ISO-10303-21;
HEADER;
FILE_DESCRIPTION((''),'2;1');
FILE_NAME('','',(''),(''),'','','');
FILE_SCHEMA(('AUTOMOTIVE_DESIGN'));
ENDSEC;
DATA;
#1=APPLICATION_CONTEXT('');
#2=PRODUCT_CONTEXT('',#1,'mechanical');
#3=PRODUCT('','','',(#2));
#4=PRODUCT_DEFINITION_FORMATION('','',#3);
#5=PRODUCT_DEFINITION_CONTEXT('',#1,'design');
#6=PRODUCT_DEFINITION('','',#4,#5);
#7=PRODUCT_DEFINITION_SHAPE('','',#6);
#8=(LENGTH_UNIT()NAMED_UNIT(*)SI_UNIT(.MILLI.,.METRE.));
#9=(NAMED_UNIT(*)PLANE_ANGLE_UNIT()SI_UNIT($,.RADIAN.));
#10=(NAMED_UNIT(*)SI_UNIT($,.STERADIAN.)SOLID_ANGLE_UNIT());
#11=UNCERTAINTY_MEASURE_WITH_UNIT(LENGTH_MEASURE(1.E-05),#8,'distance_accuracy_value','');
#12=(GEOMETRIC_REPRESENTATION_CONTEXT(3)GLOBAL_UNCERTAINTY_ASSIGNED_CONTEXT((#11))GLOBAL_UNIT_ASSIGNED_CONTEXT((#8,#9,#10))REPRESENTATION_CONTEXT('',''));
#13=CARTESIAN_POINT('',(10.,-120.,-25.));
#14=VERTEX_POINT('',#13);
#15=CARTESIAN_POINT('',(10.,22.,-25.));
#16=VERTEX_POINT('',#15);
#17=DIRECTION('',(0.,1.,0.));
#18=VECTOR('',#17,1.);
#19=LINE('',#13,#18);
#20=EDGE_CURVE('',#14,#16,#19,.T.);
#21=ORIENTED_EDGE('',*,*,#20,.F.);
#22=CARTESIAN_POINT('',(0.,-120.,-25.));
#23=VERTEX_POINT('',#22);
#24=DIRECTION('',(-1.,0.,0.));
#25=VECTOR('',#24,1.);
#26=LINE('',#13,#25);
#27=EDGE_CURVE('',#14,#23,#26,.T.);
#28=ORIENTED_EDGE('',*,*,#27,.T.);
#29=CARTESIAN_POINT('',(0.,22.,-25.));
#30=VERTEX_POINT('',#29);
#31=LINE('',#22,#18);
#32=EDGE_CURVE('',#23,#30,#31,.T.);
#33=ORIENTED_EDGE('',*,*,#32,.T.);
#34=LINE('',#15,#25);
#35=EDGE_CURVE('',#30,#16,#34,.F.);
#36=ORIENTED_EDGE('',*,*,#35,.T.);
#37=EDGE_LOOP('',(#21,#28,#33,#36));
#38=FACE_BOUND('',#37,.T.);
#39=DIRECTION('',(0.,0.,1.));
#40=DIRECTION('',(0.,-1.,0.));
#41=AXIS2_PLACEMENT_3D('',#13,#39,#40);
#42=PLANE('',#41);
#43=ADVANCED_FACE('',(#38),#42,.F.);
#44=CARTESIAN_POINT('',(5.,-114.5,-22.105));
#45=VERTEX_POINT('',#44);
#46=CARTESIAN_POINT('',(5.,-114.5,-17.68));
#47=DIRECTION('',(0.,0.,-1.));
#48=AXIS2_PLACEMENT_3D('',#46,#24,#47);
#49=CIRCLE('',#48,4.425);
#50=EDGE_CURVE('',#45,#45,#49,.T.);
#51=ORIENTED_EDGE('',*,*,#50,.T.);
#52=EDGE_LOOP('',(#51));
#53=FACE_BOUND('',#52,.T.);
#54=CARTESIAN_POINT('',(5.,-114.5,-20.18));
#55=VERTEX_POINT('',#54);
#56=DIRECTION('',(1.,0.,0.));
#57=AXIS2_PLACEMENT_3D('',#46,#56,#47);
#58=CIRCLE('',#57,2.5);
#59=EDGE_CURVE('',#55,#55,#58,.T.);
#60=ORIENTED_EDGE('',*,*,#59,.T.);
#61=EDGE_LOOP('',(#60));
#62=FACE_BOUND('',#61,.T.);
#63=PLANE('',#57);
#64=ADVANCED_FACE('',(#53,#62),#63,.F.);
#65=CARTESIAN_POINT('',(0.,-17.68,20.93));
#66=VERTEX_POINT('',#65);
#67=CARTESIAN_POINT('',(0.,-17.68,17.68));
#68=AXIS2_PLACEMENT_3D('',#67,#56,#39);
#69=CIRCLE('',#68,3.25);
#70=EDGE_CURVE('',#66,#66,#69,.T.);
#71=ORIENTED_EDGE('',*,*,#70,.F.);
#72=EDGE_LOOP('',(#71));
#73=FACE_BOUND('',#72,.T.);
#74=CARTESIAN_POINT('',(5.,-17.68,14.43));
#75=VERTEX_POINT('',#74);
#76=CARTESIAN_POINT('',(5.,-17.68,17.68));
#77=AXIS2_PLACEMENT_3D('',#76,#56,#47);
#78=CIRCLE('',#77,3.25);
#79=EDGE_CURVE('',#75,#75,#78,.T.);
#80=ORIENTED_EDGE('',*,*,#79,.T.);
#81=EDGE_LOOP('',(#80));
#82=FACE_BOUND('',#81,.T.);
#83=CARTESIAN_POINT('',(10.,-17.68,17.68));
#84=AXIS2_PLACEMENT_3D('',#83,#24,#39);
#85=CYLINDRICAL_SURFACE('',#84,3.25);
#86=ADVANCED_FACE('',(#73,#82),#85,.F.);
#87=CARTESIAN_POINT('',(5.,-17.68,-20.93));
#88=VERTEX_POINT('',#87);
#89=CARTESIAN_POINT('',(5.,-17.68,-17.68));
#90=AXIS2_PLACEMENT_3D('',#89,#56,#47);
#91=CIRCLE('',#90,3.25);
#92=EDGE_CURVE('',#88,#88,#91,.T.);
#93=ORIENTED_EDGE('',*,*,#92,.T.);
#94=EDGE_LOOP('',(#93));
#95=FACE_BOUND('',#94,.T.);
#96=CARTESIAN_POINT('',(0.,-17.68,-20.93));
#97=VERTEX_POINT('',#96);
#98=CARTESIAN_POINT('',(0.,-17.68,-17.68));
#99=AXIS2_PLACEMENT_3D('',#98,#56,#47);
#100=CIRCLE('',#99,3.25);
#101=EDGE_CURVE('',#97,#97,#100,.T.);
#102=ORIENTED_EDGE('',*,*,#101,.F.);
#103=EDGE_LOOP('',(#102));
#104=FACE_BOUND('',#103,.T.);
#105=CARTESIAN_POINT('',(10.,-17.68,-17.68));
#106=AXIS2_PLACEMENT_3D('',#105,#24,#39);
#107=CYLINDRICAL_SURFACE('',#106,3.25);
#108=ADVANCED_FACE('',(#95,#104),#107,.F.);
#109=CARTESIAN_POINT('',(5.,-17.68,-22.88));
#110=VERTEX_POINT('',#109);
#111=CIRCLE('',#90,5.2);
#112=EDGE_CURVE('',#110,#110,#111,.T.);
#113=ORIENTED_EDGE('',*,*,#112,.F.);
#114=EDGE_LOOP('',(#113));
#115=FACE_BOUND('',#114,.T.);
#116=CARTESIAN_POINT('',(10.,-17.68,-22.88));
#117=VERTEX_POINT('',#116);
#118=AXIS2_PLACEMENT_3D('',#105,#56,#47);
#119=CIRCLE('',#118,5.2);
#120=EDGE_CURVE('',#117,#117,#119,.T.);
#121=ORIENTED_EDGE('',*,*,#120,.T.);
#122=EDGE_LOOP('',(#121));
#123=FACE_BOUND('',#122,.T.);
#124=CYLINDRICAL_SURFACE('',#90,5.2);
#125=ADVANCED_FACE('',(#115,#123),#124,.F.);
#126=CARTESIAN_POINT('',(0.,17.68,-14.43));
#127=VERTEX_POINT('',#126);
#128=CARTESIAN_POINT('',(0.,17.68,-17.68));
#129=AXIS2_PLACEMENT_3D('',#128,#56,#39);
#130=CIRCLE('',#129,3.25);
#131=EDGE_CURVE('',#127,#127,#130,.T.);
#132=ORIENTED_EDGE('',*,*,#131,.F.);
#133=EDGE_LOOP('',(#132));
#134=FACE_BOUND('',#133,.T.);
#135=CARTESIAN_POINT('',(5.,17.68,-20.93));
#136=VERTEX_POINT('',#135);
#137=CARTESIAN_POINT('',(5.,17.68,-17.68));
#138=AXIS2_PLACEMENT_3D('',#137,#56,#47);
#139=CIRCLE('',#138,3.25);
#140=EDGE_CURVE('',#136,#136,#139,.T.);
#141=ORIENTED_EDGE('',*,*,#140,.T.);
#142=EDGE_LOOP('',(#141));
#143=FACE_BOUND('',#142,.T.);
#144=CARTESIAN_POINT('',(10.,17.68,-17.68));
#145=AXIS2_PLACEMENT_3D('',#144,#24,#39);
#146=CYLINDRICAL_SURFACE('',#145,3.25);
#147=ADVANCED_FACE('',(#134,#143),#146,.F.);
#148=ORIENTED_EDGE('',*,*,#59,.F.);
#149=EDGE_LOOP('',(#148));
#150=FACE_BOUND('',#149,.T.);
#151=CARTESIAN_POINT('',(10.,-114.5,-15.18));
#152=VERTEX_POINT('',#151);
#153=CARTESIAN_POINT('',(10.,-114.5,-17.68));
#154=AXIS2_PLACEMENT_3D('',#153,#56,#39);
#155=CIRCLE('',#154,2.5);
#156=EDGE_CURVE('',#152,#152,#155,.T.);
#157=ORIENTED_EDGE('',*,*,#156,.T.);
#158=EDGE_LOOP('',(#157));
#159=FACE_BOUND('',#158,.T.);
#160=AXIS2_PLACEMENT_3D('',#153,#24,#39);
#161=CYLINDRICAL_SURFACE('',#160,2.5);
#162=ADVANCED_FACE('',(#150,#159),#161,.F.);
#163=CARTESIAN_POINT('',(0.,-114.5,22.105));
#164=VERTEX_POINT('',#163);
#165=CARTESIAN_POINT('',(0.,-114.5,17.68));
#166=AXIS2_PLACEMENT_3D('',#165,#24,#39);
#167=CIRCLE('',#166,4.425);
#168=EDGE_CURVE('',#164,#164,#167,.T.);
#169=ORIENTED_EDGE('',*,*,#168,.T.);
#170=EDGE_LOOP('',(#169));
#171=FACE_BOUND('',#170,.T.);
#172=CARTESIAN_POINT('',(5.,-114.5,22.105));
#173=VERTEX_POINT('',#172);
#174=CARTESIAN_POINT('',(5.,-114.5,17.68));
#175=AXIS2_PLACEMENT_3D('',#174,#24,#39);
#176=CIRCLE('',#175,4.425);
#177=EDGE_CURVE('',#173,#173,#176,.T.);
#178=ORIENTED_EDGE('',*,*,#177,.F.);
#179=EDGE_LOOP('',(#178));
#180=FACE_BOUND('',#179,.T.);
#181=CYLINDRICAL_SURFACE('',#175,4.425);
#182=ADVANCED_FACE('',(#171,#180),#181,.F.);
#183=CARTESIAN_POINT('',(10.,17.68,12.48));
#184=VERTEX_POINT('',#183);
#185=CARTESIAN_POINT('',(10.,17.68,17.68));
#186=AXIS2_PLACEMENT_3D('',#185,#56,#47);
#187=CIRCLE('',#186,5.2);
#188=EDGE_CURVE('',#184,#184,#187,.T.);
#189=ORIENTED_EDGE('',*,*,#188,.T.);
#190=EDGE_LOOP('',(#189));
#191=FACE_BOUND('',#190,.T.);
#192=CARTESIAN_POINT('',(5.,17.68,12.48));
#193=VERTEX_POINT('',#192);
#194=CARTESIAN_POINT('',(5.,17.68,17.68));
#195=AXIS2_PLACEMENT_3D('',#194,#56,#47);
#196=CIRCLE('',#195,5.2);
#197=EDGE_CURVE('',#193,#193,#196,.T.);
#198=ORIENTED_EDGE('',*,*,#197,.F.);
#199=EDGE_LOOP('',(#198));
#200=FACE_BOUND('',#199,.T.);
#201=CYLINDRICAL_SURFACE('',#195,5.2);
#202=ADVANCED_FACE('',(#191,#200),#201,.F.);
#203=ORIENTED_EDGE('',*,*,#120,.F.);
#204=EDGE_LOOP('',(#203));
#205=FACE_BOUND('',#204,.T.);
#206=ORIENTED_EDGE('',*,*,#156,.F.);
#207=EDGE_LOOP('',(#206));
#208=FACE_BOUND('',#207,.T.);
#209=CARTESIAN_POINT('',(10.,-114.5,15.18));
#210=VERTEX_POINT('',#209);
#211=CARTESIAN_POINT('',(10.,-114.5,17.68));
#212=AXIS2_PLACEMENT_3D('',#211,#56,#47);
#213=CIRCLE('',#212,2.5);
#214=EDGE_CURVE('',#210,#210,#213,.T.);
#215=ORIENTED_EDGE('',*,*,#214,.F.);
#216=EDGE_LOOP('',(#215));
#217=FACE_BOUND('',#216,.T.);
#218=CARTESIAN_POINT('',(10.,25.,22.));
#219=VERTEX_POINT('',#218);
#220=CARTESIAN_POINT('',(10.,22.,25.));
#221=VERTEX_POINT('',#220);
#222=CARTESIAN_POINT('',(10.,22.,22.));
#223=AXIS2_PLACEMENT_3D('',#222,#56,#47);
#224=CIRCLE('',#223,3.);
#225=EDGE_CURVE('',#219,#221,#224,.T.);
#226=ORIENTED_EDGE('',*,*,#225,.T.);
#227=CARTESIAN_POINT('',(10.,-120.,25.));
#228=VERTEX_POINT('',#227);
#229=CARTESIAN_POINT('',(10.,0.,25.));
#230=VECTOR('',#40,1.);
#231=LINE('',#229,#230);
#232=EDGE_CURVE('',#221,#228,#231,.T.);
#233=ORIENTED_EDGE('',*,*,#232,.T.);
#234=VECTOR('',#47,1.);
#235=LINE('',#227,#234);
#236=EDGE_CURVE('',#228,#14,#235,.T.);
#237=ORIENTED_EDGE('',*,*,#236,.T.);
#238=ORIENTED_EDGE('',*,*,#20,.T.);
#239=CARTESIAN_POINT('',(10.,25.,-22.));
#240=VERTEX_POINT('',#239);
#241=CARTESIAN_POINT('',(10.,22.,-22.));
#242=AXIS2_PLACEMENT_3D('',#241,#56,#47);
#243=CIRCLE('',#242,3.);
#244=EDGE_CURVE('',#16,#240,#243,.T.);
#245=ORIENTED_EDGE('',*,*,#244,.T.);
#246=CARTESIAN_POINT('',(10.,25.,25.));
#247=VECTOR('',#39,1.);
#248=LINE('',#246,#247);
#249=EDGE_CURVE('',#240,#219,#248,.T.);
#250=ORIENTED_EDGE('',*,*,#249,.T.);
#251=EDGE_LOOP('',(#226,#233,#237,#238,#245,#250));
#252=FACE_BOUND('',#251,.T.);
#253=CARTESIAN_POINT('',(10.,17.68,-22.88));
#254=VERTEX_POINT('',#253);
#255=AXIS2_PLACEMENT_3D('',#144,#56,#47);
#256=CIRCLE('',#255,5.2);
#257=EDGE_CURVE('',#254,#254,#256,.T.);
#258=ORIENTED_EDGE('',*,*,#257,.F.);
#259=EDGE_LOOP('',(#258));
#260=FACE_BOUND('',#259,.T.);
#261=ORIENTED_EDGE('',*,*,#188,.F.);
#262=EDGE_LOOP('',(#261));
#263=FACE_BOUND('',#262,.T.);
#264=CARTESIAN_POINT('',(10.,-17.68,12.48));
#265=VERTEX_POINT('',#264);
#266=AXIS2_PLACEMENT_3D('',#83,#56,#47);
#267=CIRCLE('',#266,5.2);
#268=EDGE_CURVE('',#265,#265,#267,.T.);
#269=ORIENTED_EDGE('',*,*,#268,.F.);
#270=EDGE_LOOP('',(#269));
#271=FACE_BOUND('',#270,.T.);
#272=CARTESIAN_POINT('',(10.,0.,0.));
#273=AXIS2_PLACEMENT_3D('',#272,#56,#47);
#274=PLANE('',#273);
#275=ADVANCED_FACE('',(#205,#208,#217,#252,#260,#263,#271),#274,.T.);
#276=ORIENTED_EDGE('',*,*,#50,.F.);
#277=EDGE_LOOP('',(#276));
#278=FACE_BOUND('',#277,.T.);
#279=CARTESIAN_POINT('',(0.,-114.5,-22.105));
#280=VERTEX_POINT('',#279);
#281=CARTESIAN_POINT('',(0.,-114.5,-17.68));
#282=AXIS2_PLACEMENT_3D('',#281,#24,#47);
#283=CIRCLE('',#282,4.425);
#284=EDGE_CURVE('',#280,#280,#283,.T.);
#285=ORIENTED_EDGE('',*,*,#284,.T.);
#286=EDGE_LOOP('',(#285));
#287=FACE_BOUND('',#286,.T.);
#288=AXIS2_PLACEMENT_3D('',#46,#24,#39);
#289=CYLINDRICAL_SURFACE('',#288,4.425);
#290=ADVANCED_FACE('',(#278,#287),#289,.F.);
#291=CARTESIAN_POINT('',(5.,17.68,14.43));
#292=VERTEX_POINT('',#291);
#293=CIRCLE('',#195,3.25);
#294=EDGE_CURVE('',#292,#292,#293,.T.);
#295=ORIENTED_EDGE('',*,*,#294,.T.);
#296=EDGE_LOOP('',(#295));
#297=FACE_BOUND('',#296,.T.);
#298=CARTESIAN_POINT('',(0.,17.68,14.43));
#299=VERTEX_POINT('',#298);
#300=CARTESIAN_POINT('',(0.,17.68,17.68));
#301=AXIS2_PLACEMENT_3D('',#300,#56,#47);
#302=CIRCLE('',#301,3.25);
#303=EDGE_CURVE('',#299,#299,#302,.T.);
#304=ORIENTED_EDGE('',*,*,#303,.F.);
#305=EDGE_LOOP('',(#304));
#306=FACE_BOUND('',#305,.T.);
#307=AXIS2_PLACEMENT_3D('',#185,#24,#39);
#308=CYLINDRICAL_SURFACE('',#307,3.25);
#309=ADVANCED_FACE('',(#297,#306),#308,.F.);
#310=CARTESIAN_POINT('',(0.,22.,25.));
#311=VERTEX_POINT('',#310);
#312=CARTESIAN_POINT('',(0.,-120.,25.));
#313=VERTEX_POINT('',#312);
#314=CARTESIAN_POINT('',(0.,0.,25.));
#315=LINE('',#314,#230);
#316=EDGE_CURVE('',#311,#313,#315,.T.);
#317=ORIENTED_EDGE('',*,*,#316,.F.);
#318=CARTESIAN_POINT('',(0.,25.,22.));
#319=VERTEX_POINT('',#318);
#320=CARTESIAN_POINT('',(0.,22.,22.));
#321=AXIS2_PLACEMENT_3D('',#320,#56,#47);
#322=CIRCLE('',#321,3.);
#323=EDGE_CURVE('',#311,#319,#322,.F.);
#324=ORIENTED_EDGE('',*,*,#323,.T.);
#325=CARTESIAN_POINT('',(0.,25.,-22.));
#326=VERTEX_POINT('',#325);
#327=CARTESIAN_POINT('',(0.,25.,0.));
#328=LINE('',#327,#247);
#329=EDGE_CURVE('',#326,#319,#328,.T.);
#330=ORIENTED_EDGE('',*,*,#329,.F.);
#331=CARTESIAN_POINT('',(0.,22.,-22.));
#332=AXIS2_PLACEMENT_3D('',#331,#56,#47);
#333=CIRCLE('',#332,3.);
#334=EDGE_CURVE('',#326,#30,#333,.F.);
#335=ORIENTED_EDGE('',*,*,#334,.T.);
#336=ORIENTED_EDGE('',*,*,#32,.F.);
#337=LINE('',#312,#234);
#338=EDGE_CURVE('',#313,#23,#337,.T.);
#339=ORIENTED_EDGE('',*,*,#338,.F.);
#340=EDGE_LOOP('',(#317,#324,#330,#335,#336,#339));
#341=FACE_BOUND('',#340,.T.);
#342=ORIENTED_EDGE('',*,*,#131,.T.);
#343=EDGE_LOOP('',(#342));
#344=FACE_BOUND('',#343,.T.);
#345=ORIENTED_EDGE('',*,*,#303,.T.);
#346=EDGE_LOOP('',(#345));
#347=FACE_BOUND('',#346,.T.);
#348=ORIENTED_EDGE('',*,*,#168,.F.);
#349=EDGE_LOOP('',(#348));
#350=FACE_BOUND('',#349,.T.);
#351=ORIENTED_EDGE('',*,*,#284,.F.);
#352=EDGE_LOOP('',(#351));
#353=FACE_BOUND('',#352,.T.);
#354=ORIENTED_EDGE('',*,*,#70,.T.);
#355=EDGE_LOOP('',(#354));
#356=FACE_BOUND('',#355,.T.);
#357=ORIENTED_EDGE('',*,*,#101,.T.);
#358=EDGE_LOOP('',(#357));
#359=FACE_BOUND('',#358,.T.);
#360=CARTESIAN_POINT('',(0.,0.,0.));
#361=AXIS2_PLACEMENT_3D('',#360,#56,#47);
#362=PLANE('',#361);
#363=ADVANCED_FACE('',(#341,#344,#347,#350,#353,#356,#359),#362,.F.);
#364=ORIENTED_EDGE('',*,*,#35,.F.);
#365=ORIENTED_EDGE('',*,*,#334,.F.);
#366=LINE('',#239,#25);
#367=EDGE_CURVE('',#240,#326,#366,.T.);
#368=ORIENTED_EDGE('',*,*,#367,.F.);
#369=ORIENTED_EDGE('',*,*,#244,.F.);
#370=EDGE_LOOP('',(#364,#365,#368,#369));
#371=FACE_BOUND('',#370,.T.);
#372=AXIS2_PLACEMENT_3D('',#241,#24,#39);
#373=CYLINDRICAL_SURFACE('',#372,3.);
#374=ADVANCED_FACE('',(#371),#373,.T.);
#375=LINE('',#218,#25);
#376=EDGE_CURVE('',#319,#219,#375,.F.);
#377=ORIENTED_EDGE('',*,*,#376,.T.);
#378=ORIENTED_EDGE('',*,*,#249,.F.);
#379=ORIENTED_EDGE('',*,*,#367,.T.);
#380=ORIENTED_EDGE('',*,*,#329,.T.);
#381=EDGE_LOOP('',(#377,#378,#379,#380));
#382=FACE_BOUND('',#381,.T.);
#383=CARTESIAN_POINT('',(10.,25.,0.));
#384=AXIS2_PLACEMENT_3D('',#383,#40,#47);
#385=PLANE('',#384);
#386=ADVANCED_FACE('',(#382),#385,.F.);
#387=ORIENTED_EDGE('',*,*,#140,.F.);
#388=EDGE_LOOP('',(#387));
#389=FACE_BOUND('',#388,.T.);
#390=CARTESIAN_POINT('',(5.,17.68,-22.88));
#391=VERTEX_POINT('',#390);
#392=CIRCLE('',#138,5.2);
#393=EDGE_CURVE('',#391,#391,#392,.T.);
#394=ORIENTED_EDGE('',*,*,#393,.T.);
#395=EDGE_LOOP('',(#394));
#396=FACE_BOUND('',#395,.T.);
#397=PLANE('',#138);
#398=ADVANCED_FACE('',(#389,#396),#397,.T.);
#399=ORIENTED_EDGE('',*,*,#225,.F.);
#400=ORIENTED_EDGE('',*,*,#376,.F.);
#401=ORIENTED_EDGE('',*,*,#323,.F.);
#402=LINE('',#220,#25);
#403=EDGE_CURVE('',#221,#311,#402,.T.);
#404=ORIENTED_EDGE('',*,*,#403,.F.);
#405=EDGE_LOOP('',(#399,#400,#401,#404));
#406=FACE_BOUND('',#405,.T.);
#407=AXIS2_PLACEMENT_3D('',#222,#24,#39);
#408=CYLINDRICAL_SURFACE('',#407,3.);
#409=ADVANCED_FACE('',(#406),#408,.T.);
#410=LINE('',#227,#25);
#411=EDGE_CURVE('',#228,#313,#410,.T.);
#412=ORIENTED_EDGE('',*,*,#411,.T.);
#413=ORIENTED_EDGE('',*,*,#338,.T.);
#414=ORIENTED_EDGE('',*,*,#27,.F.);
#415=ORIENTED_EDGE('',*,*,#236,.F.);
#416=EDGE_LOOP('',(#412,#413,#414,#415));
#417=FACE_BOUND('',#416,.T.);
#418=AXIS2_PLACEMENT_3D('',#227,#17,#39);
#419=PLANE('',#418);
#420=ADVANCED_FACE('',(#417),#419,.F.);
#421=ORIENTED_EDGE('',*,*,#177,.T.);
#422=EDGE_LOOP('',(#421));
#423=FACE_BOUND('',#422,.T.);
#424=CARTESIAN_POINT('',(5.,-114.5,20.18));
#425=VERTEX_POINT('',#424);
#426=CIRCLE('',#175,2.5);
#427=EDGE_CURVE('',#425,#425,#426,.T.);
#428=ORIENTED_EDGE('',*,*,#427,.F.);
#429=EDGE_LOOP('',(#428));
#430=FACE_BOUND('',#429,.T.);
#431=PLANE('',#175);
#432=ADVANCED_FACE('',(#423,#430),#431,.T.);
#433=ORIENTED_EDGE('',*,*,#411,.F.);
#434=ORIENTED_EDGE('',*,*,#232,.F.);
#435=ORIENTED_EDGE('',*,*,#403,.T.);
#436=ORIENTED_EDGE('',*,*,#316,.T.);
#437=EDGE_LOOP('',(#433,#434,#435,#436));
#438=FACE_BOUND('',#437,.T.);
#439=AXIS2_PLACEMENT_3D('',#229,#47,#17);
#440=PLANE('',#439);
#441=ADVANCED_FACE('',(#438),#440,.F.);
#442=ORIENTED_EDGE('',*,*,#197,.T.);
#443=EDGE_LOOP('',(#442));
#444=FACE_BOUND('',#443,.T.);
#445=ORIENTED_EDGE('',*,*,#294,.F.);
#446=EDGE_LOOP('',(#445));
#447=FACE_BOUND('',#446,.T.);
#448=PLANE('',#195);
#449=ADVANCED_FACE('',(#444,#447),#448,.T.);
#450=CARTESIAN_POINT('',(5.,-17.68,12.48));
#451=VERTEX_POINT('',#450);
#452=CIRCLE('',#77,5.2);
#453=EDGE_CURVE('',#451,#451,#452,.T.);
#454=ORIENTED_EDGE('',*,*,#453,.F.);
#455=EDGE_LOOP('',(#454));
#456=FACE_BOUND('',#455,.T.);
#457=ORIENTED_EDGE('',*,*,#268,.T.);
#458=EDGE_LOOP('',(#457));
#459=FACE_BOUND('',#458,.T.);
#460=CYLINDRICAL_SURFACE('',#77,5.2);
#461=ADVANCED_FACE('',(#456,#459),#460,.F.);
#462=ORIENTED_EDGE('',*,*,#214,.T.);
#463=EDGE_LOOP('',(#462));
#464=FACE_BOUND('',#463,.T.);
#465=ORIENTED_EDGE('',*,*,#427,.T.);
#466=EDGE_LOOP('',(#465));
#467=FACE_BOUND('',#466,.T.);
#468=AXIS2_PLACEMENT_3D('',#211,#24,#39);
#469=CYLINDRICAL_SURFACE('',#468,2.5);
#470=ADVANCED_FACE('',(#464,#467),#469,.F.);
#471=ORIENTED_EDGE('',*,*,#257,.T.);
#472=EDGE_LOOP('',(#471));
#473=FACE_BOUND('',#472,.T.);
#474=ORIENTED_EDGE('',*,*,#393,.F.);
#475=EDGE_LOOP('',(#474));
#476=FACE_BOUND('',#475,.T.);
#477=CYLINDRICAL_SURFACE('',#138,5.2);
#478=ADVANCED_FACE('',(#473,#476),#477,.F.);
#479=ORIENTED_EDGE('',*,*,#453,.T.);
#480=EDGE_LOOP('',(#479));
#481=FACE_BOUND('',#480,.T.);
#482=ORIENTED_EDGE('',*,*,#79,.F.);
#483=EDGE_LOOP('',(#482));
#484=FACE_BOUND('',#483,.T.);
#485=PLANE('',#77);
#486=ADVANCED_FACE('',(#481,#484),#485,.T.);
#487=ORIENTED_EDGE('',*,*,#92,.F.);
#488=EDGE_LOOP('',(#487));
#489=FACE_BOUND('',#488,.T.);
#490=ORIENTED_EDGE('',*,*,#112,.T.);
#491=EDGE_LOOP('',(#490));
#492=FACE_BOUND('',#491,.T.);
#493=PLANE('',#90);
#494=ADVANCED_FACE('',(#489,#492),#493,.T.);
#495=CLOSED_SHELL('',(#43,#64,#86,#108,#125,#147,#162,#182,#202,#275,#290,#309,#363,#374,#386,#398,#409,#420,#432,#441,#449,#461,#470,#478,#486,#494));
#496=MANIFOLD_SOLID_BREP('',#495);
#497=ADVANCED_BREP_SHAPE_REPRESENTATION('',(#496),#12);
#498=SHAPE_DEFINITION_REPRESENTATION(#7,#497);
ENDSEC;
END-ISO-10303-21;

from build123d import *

# Parameters (mm, degrees)
CROQUIS1_R              = 3.25
CROQUIS1_R_2            = 2.5
SALIENTE_EXTRUIR1_DEPTH = 10
CROQUIS5_R              = 5.2
CORTAR_EXTRUIR2_DEPTH   = 5
FILLET1_R               = 3
SKETCH1_R               = 4.425
CUT_EXTRUDE1_DEPTH      = 5


with BuildPart() as part:
    # Croquis1 → Saliente-Extruir1 (new body)
    with BuildSketch(Plane(origin=(0, 0, 0), x_dir=(0, 0, -1), z_dir=(1, 0, 0))):
        Polygon((-25, -120), (25, -120), (25, 25), (0, 25), (-25, 25), (-25, 0), align=None)
        with Locations((-17.68, 17.68)):
            Circle(CROQUIS1_R, mode=Mode.SUBTRACT)
        with Locations(Location((17.68, 17.68, 0), (0, 0, 180))):
            Circle(CROQUIS1_R, mode=Mode.SUBTRACT)
        with Locations((17.68, -17.68)):
            Circle(CROQUIS1_R, mode=Mode.SUBTRACT)
        with Locations(Location((-17.68, -17.68, 0), (0, 0, 180))):
            Circle(CROQUIS1_R, mode=Mode.SUBTRACT)
        with Locations((-17.68, -114.5)):
            Circle(CROQUIS1_R_2, mode=Mode.SUBTRACT)
        with Locations(Location((17.68, -114.5, 0), (0, 0, 180))):
            Circle(CROQUIS1_R_2, mode=Mode.SUBTRACT)
    extrude(amount=SALIENTE_EXTRUIR1_DEPTH)

    # Croquis5 → Cortar-Extruir2 (cut)
    with BuildSketch(Plane(origin=(10, 0, 0), x_dir=(0, 0, -1), z_dir=(1, 0, 0))):
        with Locations((17.68, 17.68)):
            Circle(CROQUIS5_R)
        with Locations((-17.68, 17.68)):
            Circle(CROQUIS5_R)
        with Locations((-17.68, -17.68)):
            Circle(CROQUIS5_R)
        with Locations((17.68, -17.68)):
            Circle(CROQUIS5_R)
    extrude(amount=-CORTAR_EXTRUIR2_DEPTH, mode=Mode.SUBTRACT)

    # Fillet1
    fillet1_edges = [part.edges().sort_by_distance(p)[0] for p in [
        (5, 25, -25),
        (5, 25, 25),
    ]]
    fillet(fillet1_edges, radius=FILLET1_R)

    # Sketch1 → Cut-Extrude1 (cut)
    with BuildSketch(Plane.ZY):
        with Locations((17.68, -114.5)):
            Circle(SKETCH1_R)
        with Locations(Location((-17.68, -114.5, 0), (0, 0, 180))):
            Circle(SKETCH1_R)
    extrude(amount=-CUT_EXTRUDE1_DEPTH, mode=Mode.SUBTRACT)


solid = part.part
